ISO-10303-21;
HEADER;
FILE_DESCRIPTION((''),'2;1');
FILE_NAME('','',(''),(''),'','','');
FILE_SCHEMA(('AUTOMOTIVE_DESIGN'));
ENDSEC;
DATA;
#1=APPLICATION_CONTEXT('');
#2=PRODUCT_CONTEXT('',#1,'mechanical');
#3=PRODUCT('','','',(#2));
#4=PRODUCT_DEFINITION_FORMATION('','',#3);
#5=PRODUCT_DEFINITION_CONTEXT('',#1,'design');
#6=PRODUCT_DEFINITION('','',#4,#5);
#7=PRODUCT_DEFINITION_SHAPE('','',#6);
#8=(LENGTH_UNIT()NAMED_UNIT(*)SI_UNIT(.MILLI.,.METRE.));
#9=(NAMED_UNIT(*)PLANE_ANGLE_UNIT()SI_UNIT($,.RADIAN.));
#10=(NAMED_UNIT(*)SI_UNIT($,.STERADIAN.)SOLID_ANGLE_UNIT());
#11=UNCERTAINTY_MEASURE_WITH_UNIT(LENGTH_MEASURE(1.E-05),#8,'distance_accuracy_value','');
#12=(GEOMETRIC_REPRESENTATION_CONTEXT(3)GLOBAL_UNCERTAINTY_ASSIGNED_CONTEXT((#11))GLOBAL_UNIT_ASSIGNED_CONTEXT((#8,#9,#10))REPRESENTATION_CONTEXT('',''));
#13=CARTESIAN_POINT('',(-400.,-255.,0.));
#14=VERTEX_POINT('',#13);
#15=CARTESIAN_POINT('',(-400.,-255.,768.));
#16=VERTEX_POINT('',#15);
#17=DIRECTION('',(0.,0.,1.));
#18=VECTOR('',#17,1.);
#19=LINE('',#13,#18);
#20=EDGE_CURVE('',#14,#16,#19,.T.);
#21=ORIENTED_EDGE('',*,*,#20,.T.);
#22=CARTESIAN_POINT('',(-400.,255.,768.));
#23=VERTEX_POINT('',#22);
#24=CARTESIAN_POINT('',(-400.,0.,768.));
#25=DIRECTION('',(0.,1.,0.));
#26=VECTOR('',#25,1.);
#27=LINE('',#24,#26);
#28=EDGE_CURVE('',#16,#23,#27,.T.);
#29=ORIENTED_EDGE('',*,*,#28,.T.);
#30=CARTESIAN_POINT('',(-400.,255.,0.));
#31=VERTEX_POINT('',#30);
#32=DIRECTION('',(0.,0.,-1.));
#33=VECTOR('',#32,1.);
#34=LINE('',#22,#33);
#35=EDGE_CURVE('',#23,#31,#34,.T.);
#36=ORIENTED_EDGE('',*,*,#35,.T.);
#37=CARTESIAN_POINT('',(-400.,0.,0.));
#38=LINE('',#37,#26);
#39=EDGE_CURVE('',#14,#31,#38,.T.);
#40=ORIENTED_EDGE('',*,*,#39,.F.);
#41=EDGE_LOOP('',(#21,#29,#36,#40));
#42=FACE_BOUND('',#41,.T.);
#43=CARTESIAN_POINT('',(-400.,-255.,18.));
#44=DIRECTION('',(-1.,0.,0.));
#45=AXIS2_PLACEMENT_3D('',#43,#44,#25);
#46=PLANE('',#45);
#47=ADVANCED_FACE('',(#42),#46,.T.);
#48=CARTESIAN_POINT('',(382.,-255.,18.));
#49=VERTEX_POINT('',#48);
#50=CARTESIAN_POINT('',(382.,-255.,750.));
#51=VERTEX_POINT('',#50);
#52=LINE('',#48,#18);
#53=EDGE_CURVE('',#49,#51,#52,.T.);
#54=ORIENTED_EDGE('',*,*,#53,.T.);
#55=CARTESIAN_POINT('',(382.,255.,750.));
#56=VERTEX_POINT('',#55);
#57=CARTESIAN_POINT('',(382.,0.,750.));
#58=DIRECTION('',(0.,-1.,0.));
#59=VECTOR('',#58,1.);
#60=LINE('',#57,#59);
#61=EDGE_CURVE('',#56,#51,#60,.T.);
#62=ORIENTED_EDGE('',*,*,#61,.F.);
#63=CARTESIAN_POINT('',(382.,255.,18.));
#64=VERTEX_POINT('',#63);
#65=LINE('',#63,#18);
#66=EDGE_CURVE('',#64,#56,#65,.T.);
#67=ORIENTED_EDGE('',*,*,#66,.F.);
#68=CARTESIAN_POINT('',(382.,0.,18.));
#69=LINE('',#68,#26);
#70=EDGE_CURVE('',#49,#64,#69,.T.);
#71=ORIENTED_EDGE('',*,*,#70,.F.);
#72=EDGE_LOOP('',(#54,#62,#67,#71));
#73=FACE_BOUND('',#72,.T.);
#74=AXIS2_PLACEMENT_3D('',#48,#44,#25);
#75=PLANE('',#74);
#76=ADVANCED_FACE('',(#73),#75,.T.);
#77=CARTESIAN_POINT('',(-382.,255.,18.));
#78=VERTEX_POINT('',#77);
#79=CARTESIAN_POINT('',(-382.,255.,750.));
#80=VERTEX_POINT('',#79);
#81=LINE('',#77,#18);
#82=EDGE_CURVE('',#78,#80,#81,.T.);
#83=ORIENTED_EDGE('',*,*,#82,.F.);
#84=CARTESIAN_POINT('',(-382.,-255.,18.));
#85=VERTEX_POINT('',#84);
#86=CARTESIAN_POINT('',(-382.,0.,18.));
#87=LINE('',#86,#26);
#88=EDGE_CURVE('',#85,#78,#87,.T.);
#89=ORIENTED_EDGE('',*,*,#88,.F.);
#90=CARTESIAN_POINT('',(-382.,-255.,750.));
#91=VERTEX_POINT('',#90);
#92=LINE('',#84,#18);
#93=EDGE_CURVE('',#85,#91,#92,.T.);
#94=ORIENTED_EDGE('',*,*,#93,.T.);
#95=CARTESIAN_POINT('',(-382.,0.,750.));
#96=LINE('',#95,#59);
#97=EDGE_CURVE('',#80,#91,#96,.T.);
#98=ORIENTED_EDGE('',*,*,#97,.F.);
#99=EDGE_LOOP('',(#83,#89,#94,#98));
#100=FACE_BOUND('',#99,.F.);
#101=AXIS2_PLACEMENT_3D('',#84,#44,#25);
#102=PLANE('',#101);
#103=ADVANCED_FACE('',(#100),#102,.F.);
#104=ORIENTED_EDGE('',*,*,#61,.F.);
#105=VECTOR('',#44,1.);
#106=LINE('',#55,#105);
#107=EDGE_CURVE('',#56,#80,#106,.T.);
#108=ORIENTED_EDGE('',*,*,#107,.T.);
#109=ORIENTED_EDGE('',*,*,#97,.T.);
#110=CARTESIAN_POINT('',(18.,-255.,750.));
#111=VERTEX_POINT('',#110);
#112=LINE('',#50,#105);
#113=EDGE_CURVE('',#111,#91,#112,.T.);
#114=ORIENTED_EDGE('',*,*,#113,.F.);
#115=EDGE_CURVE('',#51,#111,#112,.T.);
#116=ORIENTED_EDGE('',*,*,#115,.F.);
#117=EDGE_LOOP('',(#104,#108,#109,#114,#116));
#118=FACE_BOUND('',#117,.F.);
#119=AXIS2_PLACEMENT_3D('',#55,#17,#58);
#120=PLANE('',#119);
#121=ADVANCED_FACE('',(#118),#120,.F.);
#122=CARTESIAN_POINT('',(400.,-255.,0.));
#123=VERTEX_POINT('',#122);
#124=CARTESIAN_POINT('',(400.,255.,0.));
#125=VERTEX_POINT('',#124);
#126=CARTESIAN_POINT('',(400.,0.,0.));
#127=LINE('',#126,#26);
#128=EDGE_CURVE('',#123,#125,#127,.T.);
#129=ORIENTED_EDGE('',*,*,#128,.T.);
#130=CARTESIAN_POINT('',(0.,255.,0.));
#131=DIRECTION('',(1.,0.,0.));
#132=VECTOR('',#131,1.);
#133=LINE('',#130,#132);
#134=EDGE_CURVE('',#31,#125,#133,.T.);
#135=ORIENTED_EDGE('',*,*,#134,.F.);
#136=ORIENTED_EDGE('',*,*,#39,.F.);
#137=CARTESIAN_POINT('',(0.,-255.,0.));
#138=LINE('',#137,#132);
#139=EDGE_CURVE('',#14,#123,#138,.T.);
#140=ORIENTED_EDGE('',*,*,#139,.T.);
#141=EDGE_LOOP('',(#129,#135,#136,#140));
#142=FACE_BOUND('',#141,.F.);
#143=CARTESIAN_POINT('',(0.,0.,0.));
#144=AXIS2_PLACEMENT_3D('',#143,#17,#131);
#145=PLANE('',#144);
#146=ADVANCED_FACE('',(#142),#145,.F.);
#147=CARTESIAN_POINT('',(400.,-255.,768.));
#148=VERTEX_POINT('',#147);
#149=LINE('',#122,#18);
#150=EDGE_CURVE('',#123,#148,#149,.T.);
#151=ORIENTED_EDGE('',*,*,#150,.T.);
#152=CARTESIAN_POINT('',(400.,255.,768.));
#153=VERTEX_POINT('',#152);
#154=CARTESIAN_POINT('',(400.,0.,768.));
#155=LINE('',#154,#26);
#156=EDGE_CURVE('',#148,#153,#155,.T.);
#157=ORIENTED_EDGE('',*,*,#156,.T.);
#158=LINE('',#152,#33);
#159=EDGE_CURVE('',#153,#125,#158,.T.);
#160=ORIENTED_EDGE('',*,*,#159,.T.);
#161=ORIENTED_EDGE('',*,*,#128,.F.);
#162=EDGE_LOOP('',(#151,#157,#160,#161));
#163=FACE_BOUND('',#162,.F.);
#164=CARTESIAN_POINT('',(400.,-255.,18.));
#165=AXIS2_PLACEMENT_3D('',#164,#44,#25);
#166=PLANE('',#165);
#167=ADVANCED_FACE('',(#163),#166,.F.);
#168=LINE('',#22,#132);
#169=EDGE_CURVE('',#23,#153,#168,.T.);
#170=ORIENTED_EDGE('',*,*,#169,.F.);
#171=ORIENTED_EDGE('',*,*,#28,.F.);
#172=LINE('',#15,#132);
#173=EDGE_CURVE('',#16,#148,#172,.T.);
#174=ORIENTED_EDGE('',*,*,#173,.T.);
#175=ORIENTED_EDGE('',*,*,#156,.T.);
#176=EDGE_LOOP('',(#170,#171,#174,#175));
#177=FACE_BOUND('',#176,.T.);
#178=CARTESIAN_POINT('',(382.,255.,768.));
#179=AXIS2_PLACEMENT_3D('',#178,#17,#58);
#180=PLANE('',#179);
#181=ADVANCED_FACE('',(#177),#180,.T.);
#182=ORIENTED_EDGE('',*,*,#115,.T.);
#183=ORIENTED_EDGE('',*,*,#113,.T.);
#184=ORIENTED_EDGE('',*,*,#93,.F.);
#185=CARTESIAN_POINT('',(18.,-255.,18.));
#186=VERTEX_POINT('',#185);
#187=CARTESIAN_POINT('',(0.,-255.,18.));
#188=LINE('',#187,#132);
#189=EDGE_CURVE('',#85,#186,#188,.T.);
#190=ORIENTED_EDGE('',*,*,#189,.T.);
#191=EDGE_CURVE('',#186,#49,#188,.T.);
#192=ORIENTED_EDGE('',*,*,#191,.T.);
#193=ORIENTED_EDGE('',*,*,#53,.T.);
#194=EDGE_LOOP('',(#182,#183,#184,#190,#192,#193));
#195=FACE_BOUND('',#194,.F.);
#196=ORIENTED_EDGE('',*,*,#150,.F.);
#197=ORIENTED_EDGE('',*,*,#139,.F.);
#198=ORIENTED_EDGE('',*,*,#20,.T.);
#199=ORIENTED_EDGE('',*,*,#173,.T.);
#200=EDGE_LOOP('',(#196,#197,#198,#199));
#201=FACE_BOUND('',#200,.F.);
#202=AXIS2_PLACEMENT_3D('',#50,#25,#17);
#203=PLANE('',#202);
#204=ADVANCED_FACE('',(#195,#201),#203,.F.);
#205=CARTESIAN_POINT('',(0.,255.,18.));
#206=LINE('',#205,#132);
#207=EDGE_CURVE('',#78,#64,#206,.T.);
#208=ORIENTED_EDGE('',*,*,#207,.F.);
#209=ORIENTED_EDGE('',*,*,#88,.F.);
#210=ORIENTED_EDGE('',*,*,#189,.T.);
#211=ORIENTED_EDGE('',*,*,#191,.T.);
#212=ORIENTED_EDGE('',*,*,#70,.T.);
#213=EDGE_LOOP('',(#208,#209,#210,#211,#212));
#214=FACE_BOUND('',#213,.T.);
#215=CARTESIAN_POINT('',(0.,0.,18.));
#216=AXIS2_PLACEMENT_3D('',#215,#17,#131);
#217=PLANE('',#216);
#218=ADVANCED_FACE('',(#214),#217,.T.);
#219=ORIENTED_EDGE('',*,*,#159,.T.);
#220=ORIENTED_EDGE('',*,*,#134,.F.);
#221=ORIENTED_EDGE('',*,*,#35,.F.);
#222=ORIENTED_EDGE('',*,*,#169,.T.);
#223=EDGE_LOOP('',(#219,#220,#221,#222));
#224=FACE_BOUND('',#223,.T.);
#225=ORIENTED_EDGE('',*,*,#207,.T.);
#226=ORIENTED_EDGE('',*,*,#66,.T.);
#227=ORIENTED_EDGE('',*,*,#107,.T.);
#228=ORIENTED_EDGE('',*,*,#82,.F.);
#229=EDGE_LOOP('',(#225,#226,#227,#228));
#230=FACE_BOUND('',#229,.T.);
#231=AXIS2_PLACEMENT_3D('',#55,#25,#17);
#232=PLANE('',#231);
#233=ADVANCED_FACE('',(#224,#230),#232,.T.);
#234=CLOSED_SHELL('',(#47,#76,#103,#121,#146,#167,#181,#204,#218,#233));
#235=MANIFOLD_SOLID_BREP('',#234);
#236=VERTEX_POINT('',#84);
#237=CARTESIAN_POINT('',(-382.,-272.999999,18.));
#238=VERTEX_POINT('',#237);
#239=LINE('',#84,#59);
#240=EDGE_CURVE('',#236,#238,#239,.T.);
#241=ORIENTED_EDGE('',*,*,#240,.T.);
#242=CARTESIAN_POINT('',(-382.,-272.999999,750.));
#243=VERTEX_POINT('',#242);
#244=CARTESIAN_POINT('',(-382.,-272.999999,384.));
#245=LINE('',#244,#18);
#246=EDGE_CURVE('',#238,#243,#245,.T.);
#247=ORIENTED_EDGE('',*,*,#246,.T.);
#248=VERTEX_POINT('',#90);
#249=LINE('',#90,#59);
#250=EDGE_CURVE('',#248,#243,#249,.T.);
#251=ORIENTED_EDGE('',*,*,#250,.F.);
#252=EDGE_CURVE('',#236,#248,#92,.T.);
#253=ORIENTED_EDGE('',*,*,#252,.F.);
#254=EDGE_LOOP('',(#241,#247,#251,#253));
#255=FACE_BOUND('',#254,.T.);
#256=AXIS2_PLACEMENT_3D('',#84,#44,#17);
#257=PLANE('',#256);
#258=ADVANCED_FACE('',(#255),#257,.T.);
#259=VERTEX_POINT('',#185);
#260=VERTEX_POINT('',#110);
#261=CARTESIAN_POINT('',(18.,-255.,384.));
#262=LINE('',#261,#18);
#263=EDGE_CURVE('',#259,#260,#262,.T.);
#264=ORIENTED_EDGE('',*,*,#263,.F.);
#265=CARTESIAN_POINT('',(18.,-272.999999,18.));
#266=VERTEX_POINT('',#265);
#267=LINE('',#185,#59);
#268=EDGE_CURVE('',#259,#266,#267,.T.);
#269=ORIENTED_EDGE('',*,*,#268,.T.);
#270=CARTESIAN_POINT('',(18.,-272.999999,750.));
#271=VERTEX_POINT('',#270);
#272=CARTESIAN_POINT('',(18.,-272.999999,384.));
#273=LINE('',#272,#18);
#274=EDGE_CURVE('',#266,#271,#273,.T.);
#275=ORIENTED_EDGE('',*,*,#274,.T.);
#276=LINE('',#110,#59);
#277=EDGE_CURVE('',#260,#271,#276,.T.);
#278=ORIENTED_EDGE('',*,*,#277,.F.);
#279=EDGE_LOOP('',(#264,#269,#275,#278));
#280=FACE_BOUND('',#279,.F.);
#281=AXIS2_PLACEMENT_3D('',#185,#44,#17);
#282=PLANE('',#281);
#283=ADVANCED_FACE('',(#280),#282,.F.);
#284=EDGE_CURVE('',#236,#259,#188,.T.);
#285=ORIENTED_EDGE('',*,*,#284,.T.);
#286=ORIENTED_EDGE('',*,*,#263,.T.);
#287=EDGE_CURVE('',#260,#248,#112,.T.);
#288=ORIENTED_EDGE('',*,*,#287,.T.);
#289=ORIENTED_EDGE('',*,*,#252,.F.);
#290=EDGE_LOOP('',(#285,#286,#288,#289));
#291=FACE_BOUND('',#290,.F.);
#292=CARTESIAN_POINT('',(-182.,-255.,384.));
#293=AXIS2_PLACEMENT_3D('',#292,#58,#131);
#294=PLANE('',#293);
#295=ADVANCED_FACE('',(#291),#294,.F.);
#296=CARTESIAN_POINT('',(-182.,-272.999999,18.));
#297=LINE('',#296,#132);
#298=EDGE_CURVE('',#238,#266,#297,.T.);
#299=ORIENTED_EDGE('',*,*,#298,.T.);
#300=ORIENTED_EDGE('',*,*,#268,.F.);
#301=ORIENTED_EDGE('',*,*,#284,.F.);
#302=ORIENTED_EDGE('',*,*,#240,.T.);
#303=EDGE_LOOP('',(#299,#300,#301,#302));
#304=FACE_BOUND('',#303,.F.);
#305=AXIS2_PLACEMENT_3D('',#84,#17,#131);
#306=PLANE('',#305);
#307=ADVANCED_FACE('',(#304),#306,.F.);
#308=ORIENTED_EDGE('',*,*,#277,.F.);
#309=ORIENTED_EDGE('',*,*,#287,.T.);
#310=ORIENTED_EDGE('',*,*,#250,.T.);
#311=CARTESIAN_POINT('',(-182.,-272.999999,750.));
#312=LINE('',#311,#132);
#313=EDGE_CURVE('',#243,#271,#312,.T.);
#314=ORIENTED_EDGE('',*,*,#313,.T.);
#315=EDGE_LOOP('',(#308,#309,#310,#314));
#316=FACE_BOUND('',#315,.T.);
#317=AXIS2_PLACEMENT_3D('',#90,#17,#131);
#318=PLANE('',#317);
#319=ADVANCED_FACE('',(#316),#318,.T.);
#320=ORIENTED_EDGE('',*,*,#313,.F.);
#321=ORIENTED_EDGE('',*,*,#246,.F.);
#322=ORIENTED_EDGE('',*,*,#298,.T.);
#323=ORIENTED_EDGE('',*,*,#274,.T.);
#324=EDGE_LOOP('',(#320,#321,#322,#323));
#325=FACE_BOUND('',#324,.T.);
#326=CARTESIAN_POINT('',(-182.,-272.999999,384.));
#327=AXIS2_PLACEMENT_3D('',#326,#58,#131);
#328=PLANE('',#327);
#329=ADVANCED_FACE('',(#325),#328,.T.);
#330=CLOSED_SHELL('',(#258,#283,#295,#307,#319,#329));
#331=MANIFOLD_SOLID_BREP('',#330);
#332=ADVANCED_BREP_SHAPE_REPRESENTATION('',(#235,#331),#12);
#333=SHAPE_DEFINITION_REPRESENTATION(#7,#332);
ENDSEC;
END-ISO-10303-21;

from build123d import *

# Parameters (mm, degrees)
F0_W     = 800
F0_H     = 510
F1_DEPTH = 18
F2_W     = 18
F2_H     = 510
F3_DEPTH = 750
F4_W     = 18
F4_H     = 510
F5_DEPTH = 750
F6_W     = 510
F6_H     = 18
F7_DEPTH = 764
F8_W     = 400
F8_H     = 732
F9_DEPTH = 17.9999992251


with BuildPart() as f1:
    # F0 (on Top) → F1 (new body)
    with BuildSketch(Plane.XY):
        Rectangle(F0_W, F0_H)
    extrude(amount=F1_DEPTH)

    # F2 (on face) → F3 (join)
    with BuildSketch(Plane.XY.offset(18)):
        with Locations((-391, 0)):
            Rectangle(F2_W, F2_H)
    extrude(amount=F3_DEPTH)

    # F4 (on face) → F5 (join)
    with BuildSketch(Plane.XY.offset(18)):
        with Locations((391, 0)):
            Rectangle(F4_W, F4_H)
    extrude(amount=F5_DEPTH)

    # F6 (on face) → F7 (join)
    with BuildSketch(Plane(origin=(382, 0, 0), x_dir=(0, -1, 0), z_dir=(-1, 0, 0))):
        with Locations((0, 759)):
            Rectangle(F6_W, F6_H)
    extrude(amount=F7_DEPTH)

    # F8 (on face) → F9 (join)
    with BuildSketch(Plane.XZ.offset(255)):
        with Locations((-182, 384)):
            Rectangle(F8_W, F8_H)
    extrude(amount=F9_DEPTH)


solid = f1.part
